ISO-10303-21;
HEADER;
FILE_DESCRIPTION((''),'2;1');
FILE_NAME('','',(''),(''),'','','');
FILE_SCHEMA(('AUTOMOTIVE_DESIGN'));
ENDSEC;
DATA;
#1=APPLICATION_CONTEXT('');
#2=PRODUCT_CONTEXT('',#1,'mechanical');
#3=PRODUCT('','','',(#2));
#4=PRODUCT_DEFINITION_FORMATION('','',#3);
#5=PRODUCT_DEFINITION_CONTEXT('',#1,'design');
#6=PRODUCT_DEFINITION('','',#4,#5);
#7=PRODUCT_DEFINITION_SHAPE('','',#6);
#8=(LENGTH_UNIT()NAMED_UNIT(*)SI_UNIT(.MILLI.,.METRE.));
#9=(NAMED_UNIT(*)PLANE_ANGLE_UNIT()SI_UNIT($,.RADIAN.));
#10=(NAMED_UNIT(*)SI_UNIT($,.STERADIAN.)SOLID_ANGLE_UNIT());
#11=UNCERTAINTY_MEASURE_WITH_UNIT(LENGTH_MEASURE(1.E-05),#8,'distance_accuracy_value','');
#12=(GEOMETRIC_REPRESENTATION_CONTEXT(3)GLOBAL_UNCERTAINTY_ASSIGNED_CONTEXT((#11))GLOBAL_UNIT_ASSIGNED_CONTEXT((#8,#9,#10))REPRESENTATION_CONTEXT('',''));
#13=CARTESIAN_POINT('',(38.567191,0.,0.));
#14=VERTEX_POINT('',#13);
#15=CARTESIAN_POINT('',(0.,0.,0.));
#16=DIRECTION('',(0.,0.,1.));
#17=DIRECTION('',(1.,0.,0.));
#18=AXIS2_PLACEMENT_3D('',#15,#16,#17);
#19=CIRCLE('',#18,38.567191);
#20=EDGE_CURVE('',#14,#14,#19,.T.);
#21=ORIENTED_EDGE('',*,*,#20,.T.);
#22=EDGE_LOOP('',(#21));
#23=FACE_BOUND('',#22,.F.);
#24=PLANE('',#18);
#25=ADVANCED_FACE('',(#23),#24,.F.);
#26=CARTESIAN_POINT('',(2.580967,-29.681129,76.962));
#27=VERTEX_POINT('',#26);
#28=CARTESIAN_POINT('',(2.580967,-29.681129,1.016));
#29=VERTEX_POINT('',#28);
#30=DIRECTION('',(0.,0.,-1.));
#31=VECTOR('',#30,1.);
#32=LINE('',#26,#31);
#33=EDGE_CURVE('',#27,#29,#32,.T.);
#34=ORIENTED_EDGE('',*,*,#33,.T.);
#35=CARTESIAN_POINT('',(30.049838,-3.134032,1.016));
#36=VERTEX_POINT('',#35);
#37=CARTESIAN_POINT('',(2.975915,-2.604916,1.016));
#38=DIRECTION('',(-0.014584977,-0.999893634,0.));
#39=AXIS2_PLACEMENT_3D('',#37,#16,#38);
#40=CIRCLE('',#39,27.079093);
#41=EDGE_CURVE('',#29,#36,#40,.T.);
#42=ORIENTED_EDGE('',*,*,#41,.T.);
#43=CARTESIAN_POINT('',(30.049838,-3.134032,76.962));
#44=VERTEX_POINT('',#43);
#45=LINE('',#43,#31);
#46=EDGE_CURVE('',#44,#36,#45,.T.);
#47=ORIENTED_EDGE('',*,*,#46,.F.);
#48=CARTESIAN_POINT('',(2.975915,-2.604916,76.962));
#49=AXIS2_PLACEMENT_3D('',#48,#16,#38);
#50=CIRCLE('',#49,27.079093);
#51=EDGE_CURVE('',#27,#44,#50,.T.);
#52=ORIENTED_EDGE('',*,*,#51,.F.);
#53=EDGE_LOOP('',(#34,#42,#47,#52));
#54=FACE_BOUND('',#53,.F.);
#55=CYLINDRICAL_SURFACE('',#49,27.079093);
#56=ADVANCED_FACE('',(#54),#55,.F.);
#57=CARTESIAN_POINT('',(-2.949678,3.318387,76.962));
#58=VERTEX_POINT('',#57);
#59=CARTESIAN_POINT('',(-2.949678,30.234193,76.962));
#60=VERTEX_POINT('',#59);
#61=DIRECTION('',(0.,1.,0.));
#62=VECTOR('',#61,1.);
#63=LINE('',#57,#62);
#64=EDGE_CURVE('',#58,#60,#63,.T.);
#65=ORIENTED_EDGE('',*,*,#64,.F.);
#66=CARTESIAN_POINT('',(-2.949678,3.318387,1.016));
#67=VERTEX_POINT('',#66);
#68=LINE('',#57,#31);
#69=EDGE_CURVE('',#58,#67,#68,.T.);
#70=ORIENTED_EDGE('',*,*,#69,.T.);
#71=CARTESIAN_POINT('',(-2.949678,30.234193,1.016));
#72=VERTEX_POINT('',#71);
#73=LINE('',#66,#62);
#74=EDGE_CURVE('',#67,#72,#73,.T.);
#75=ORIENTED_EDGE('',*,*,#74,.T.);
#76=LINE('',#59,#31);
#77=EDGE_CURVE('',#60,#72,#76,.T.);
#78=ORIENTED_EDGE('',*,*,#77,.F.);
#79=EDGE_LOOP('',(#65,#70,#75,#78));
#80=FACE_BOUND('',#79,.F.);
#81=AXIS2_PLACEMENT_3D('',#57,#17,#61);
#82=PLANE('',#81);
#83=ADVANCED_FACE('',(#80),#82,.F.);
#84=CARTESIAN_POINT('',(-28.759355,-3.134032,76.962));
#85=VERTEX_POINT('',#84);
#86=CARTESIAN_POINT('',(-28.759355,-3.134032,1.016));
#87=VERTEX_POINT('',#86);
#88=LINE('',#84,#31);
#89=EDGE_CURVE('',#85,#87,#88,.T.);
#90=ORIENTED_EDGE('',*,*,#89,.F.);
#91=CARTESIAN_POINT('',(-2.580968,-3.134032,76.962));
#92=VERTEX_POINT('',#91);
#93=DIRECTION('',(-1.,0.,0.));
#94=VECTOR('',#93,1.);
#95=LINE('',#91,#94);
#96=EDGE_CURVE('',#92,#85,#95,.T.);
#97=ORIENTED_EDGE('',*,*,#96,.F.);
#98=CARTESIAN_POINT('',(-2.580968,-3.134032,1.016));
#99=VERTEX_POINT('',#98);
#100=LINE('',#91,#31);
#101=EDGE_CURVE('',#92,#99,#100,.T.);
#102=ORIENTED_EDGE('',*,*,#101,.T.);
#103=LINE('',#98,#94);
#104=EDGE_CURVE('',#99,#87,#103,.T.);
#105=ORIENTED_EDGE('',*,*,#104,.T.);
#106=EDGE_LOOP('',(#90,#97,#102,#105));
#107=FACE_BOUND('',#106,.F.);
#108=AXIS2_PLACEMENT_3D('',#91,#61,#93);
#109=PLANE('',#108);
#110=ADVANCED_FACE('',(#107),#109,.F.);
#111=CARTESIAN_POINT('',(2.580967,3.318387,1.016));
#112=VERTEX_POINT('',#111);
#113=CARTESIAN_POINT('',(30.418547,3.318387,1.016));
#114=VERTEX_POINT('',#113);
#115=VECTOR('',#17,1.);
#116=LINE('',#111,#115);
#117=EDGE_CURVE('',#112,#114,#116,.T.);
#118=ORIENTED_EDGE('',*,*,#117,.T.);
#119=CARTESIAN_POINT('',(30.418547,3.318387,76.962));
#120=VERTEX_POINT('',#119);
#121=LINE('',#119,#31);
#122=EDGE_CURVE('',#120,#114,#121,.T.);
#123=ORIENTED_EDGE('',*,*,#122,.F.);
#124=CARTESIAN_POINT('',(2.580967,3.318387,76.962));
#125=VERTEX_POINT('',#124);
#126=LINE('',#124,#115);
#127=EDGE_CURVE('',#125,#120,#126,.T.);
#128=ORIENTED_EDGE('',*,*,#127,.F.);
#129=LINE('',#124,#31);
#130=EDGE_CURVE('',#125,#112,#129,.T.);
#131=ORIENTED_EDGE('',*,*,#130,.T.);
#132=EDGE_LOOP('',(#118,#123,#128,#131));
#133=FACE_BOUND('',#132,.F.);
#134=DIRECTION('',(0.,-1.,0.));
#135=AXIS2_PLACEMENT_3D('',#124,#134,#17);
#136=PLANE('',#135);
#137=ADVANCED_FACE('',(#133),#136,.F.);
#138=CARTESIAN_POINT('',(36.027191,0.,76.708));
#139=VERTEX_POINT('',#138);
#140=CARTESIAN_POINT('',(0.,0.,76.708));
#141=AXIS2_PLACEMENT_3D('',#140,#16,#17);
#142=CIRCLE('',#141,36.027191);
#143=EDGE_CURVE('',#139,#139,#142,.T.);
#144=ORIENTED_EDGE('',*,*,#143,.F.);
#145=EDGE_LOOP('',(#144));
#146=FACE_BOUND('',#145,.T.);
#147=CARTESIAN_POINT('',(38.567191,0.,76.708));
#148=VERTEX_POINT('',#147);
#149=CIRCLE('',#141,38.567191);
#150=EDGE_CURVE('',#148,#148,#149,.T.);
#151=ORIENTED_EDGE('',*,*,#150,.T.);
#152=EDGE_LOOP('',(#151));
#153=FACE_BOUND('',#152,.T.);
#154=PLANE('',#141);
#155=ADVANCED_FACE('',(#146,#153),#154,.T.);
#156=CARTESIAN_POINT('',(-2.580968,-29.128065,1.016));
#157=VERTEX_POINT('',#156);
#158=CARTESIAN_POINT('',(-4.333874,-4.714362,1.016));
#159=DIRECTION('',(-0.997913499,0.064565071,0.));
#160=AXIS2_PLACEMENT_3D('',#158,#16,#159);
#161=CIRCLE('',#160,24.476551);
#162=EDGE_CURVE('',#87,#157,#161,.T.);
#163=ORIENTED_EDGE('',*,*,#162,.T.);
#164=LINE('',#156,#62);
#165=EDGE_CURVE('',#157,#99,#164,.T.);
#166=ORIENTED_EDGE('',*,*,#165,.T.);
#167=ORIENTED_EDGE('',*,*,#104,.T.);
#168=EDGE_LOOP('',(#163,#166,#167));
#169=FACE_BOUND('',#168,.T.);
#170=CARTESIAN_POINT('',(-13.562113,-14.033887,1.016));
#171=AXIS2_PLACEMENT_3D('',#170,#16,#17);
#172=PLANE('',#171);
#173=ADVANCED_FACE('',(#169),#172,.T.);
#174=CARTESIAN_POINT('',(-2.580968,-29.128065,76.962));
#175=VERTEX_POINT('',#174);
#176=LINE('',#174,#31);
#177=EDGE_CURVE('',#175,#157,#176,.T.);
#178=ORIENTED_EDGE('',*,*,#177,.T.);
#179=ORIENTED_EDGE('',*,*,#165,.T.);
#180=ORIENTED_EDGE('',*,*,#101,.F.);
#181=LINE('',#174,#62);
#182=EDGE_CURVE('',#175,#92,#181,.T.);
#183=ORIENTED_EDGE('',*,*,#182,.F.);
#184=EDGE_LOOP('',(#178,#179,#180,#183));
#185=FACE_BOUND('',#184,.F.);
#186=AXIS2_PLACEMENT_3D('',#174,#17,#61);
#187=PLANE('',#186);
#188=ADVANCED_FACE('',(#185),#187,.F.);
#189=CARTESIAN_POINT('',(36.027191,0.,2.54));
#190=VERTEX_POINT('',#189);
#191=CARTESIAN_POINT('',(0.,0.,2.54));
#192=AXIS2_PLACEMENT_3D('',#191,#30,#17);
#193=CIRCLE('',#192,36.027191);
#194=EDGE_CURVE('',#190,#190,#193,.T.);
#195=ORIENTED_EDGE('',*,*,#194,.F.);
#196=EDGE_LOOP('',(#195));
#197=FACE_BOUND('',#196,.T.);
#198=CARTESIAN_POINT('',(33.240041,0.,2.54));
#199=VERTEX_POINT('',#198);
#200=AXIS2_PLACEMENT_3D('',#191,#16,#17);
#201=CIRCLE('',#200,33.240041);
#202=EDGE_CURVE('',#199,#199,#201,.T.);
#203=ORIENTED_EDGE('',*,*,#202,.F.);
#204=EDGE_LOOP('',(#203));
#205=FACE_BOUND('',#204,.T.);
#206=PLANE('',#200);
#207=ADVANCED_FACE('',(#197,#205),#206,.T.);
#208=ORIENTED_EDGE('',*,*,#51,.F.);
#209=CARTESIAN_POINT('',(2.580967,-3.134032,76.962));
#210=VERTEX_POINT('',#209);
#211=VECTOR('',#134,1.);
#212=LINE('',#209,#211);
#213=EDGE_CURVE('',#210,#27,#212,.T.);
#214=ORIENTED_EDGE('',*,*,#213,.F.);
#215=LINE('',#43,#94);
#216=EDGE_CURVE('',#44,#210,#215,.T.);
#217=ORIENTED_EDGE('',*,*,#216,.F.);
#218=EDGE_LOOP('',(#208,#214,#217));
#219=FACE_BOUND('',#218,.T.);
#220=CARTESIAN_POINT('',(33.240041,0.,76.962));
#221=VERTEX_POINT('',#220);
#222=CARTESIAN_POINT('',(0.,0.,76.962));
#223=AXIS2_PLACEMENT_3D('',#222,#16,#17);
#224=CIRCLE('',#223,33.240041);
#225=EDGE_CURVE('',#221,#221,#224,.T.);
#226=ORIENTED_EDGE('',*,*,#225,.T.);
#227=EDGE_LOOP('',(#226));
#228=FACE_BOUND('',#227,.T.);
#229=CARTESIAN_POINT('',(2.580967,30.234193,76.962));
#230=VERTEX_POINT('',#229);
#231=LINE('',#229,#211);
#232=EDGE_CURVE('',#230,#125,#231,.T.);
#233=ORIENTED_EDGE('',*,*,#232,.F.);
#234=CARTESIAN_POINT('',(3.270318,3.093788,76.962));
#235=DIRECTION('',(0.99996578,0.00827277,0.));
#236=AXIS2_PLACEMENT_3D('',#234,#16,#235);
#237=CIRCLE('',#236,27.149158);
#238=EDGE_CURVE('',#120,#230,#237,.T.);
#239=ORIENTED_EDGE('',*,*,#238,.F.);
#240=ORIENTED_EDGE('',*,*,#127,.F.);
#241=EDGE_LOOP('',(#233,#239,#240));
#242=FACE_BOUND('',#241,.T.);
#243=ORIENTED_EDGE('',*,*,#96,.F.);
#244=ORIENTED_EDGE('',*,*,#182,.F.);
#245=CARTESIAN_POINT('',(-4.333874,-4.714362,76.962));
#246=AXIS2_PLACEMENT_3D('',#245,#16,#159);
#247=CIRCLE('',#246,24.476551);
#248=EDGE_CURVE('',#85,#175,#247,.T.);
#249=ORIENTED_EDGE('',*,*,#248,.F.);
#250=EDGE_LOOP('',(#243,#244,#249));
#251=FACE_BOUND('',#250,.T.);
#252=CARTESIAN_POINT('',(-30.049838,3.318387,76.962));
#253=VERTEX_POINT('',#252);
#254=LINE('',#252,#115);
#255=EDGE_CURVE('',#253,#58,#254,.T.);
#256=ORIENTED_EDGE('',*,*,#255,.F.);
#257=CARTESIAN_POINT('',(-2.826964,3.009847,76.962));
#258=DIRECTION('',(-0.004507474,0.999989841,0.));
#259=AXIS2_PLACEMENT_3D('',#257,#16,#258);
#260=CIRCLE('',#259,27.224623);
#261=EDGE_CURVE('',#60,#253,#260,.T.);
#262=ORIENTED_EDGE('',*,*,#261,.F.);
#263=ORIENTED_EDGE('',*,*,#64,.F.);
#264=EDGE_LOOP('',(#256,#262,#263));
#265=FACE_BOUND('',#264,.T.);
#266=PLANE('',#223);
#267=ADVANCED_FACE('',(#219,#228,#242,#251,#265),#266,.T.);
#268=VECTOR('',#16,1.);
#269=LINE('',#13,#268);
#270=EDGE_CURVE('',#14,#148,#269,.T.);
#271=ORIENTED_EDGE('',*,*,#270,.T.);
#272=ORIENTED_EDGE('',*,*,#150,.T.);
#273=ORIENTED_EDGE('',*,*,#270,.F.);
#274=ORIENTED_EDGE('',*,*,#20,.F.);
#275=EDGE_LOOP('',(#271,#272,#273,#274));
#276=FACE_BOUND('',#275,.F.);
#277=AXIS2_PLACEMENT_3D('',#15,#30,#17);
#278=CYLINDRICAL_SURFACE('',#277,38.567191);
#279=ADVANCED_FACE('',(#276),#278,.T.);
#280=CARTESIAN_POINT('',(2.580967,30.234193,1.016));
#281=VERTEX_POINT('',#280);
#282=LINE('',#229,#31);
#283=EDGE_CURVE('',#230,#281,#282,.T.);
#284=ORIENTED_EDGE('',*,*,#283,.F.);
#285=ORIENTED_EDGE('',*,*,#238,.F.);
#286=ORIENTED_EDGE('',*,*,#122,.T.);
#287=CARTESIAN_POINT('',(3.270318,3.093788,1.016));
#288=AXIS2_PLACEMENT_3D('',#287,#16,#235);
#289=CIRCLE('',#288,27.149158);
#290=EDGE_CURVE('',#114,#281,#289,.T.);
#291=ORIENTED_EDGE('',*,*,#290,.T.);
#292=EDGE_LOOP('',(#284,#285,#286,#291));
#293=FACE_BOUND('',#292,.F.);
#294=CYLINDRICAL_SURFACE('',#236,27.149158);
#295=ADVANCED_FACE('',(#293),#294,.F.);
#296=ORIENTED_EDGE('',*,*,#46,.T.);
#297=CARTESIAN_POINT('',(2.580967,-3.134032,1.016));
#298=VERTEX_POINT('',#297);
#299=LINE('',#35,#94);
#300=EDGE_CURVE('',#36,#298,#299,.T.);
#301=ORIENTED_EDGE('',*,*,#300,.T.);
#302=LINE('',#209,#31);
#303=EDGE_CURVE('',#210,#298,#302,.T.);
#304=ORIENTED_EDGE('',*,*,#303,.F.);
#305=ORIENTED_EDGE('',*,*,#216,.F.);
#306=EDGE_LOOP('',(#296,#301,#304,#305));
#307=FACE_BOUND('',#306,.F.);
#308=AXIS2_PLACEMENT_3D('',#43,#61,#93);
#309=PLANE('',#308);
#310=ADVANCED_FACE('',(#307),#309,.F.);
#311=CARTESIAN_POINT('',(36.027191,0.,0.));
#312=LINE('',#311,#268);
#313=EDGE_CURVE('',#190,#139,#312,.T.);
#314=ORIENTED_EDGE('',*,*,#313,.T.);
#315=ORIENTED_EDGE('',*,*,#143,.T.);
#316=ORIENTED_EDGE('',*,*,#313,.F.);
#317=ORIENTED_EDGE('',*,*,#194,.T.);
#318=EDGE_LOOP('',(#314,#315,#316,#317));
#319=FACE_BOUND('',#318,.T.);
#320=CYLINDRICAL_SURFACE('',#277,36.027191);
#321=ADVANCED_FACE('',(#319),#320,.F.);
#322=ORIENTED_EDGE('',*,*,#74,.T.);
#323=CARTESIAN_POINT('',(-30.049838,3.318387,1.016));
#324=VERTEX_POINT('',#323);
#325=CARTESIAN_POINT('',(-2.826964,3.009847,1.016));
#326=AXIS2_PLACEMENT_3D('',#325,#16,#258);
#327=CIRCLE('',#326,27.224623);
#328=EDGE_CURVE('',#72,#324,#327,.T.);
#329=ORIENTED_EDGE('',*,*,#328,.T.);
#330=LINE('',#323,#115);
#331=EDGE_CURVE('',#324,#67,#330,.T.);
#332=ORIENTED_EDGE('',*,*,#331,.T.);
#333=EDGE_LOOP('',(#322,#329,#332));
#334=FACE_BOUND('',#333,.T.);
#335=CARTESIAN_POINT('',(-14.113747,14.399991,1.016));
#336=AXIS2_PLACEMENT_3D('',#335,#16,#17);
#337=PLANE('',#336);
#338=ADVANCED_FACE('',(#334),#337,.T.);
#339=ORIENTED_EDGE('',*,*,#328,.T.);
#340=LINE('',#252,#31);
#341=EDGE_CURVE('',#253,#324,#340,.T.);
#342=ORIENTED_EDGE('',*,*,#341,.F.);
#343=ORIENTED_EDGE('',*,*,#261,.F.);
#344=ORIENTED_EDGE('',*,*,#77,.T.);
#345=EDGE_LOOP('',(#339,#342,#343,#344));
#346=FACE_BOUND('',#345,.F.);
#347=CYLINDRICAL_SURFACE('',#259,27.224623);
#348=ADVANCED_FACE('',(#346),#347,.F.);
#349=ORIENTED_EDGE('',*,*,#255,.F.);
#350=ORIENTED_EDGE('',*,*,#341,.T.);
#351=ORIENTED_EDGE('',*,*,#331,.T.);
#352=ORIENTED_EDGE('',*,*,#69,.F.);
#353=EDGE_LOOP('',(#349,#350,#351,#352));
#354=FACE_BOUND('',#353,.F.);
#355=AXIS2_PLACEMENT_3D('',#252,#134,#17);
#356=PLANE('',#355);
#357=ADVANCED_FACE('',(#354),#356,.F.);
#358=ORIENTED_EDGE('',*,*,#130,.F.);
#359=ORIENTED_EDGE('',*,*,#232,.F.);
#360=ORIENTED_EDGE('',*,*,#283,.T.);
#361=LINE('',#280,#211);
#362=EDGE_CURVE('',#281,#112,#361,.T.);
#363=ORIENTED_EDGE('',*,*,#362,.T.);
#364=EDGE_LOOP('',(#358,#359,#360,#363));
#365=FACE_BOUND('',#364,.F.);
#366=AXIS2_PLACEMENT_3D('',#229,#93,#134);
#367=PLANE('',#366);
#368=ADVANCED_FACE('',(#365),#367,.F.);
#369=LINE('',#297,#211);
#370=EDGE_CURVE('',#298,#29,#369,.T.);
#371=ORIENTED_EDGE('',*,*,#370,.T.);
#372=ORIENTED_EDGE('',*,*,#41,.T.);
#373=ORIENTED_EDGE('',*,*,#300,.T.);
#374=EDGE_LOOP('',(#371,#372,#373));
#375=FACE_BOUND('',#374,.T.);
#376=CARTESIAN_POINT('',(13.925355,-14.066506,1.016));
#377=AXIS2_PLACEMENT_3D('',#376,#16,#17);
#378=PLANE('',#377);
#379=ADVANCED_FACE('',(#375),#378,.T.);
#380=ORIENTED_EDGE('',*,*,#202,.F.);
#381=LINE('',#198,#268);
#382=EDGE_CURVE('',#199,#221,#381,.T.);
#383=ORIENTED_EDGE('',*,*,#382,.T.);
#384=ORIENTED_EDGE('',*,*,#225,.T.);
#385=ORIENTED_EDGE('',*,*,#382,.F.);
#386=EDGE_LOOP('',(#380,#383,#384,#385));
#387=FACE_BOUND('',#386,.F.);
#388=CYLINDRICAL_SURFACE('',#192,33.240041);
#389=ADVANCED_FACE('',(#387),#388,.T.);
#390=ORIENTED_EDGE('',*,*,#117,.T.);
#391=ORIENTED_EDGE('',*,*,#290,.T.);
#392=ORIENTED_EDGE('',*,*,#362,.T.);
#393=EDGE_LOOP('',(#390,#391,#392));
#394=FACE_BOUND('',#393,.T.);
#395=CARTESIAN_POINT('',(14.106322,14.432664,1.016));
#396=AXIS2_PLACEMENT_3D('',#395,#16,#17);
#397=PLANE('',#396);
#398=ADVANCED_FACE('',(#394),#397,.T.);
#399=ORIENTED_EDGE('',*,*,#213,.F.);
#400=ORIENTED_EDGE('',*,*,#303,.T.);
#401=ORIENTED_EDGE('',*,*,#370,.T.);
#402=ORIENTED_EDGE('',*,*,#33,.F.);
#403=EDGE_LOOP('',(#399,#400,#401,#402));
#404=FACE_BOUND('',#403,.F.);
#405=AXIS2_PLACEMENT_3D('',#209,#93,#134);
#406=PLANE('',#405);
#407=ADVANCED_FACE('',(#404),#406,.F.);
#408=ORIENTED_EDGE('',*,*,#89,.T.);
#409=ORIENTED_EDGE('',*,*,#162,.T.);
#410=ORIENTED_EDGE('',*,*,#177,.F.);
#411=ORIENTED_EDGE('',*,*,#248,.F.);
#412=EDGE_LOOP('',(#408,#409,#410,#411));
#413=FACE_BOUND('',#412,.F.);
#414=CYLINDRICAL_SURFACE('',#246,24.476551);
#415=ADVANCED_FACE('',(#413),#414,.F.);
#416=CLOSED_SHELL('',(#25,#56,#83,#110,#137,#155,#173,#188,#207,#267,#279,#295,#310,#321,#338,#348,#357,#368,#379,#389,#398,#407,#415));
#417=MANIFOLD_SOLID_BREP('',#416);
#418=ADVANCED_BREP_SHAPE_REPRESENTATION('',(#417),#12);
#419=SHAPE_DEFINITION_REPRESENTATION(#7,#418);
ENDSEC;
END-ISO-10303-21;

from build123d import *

# Parameters (mm, degrees)
F0_R     = 38.567191
F1_DEPTH = 76.708
F2_T     = -2.54
F3_R     = 33.240041
F4_DEPTH = 74.422
F6_DEPTH = 75.946


with BuildPart() as f1:
    # F0 (on Top) → F1 (new body)
    with BuildSketch(Plane.XY):
        Circle(F0_R)
    extrude(amount=F1_DEPTH)

    # F2
    f2_openings = [f1.faces().sort_by_distance(p)[0] for p in [
        (0, 0, 76.708),
    ]]
    offset(amount=F2_T, openings=f2_openings)

    # F3 (on face) → F4 (join)
    with BuildSketch(Plane.XY.offset(2.54)):
        Circle(F3_R)
    extrude(amount=F4_DEPTH)

    # F5 (on face) → F6 (cut)
    with BuildSketch(Plane.XY.offset(76.962)):
        with BuildLine():
            ThreePointArc((30.418547, 3.318387), (22.14181, 22.611564), (2.580967, 30.234193))
            Line((2.580967, 30.234193), (2.580967, 3.318387))
            Line((2.580967, 3.318387), (30.418547, 3.318387))
        make_face()
        with BuildLine():
            Line((30.049838, -3.134032), (2.580967, -3.134032))
            Line((2.580967, -3.134032), (2.580967, -29.681129))
            ThreePointArc((2.580967, -29.681129), (21.794231, -22.076646), (30.049838, -3.134032))
        make_face()
        with BuildLine():
            Line((-2.949678, 3.318387), (-2.949678, 30.234193))
            ThreePointArc((-2.949678, 30.234193), (-22.011865, 22.326152), (-30.049838, 3.318387))
            Line((-30.049838, 3.318387), (-2.949678, 3.318387))
        make_face()
        with BuildLine():
            Line((-2.580968, -29.128065), (-2.580968, -3.134032))
            Line((-2.580968, -3.134032), (-28.759355, -3.134032))
            ThreePointArc((-28.759355, -3.134032), (-21.580145, -22.082946), (-2.580968, -29.128065))
        make_face()
    extrude(amount=-F6_DEPTH, mode=Mode.SUBTRACT)


solid = f1.part
